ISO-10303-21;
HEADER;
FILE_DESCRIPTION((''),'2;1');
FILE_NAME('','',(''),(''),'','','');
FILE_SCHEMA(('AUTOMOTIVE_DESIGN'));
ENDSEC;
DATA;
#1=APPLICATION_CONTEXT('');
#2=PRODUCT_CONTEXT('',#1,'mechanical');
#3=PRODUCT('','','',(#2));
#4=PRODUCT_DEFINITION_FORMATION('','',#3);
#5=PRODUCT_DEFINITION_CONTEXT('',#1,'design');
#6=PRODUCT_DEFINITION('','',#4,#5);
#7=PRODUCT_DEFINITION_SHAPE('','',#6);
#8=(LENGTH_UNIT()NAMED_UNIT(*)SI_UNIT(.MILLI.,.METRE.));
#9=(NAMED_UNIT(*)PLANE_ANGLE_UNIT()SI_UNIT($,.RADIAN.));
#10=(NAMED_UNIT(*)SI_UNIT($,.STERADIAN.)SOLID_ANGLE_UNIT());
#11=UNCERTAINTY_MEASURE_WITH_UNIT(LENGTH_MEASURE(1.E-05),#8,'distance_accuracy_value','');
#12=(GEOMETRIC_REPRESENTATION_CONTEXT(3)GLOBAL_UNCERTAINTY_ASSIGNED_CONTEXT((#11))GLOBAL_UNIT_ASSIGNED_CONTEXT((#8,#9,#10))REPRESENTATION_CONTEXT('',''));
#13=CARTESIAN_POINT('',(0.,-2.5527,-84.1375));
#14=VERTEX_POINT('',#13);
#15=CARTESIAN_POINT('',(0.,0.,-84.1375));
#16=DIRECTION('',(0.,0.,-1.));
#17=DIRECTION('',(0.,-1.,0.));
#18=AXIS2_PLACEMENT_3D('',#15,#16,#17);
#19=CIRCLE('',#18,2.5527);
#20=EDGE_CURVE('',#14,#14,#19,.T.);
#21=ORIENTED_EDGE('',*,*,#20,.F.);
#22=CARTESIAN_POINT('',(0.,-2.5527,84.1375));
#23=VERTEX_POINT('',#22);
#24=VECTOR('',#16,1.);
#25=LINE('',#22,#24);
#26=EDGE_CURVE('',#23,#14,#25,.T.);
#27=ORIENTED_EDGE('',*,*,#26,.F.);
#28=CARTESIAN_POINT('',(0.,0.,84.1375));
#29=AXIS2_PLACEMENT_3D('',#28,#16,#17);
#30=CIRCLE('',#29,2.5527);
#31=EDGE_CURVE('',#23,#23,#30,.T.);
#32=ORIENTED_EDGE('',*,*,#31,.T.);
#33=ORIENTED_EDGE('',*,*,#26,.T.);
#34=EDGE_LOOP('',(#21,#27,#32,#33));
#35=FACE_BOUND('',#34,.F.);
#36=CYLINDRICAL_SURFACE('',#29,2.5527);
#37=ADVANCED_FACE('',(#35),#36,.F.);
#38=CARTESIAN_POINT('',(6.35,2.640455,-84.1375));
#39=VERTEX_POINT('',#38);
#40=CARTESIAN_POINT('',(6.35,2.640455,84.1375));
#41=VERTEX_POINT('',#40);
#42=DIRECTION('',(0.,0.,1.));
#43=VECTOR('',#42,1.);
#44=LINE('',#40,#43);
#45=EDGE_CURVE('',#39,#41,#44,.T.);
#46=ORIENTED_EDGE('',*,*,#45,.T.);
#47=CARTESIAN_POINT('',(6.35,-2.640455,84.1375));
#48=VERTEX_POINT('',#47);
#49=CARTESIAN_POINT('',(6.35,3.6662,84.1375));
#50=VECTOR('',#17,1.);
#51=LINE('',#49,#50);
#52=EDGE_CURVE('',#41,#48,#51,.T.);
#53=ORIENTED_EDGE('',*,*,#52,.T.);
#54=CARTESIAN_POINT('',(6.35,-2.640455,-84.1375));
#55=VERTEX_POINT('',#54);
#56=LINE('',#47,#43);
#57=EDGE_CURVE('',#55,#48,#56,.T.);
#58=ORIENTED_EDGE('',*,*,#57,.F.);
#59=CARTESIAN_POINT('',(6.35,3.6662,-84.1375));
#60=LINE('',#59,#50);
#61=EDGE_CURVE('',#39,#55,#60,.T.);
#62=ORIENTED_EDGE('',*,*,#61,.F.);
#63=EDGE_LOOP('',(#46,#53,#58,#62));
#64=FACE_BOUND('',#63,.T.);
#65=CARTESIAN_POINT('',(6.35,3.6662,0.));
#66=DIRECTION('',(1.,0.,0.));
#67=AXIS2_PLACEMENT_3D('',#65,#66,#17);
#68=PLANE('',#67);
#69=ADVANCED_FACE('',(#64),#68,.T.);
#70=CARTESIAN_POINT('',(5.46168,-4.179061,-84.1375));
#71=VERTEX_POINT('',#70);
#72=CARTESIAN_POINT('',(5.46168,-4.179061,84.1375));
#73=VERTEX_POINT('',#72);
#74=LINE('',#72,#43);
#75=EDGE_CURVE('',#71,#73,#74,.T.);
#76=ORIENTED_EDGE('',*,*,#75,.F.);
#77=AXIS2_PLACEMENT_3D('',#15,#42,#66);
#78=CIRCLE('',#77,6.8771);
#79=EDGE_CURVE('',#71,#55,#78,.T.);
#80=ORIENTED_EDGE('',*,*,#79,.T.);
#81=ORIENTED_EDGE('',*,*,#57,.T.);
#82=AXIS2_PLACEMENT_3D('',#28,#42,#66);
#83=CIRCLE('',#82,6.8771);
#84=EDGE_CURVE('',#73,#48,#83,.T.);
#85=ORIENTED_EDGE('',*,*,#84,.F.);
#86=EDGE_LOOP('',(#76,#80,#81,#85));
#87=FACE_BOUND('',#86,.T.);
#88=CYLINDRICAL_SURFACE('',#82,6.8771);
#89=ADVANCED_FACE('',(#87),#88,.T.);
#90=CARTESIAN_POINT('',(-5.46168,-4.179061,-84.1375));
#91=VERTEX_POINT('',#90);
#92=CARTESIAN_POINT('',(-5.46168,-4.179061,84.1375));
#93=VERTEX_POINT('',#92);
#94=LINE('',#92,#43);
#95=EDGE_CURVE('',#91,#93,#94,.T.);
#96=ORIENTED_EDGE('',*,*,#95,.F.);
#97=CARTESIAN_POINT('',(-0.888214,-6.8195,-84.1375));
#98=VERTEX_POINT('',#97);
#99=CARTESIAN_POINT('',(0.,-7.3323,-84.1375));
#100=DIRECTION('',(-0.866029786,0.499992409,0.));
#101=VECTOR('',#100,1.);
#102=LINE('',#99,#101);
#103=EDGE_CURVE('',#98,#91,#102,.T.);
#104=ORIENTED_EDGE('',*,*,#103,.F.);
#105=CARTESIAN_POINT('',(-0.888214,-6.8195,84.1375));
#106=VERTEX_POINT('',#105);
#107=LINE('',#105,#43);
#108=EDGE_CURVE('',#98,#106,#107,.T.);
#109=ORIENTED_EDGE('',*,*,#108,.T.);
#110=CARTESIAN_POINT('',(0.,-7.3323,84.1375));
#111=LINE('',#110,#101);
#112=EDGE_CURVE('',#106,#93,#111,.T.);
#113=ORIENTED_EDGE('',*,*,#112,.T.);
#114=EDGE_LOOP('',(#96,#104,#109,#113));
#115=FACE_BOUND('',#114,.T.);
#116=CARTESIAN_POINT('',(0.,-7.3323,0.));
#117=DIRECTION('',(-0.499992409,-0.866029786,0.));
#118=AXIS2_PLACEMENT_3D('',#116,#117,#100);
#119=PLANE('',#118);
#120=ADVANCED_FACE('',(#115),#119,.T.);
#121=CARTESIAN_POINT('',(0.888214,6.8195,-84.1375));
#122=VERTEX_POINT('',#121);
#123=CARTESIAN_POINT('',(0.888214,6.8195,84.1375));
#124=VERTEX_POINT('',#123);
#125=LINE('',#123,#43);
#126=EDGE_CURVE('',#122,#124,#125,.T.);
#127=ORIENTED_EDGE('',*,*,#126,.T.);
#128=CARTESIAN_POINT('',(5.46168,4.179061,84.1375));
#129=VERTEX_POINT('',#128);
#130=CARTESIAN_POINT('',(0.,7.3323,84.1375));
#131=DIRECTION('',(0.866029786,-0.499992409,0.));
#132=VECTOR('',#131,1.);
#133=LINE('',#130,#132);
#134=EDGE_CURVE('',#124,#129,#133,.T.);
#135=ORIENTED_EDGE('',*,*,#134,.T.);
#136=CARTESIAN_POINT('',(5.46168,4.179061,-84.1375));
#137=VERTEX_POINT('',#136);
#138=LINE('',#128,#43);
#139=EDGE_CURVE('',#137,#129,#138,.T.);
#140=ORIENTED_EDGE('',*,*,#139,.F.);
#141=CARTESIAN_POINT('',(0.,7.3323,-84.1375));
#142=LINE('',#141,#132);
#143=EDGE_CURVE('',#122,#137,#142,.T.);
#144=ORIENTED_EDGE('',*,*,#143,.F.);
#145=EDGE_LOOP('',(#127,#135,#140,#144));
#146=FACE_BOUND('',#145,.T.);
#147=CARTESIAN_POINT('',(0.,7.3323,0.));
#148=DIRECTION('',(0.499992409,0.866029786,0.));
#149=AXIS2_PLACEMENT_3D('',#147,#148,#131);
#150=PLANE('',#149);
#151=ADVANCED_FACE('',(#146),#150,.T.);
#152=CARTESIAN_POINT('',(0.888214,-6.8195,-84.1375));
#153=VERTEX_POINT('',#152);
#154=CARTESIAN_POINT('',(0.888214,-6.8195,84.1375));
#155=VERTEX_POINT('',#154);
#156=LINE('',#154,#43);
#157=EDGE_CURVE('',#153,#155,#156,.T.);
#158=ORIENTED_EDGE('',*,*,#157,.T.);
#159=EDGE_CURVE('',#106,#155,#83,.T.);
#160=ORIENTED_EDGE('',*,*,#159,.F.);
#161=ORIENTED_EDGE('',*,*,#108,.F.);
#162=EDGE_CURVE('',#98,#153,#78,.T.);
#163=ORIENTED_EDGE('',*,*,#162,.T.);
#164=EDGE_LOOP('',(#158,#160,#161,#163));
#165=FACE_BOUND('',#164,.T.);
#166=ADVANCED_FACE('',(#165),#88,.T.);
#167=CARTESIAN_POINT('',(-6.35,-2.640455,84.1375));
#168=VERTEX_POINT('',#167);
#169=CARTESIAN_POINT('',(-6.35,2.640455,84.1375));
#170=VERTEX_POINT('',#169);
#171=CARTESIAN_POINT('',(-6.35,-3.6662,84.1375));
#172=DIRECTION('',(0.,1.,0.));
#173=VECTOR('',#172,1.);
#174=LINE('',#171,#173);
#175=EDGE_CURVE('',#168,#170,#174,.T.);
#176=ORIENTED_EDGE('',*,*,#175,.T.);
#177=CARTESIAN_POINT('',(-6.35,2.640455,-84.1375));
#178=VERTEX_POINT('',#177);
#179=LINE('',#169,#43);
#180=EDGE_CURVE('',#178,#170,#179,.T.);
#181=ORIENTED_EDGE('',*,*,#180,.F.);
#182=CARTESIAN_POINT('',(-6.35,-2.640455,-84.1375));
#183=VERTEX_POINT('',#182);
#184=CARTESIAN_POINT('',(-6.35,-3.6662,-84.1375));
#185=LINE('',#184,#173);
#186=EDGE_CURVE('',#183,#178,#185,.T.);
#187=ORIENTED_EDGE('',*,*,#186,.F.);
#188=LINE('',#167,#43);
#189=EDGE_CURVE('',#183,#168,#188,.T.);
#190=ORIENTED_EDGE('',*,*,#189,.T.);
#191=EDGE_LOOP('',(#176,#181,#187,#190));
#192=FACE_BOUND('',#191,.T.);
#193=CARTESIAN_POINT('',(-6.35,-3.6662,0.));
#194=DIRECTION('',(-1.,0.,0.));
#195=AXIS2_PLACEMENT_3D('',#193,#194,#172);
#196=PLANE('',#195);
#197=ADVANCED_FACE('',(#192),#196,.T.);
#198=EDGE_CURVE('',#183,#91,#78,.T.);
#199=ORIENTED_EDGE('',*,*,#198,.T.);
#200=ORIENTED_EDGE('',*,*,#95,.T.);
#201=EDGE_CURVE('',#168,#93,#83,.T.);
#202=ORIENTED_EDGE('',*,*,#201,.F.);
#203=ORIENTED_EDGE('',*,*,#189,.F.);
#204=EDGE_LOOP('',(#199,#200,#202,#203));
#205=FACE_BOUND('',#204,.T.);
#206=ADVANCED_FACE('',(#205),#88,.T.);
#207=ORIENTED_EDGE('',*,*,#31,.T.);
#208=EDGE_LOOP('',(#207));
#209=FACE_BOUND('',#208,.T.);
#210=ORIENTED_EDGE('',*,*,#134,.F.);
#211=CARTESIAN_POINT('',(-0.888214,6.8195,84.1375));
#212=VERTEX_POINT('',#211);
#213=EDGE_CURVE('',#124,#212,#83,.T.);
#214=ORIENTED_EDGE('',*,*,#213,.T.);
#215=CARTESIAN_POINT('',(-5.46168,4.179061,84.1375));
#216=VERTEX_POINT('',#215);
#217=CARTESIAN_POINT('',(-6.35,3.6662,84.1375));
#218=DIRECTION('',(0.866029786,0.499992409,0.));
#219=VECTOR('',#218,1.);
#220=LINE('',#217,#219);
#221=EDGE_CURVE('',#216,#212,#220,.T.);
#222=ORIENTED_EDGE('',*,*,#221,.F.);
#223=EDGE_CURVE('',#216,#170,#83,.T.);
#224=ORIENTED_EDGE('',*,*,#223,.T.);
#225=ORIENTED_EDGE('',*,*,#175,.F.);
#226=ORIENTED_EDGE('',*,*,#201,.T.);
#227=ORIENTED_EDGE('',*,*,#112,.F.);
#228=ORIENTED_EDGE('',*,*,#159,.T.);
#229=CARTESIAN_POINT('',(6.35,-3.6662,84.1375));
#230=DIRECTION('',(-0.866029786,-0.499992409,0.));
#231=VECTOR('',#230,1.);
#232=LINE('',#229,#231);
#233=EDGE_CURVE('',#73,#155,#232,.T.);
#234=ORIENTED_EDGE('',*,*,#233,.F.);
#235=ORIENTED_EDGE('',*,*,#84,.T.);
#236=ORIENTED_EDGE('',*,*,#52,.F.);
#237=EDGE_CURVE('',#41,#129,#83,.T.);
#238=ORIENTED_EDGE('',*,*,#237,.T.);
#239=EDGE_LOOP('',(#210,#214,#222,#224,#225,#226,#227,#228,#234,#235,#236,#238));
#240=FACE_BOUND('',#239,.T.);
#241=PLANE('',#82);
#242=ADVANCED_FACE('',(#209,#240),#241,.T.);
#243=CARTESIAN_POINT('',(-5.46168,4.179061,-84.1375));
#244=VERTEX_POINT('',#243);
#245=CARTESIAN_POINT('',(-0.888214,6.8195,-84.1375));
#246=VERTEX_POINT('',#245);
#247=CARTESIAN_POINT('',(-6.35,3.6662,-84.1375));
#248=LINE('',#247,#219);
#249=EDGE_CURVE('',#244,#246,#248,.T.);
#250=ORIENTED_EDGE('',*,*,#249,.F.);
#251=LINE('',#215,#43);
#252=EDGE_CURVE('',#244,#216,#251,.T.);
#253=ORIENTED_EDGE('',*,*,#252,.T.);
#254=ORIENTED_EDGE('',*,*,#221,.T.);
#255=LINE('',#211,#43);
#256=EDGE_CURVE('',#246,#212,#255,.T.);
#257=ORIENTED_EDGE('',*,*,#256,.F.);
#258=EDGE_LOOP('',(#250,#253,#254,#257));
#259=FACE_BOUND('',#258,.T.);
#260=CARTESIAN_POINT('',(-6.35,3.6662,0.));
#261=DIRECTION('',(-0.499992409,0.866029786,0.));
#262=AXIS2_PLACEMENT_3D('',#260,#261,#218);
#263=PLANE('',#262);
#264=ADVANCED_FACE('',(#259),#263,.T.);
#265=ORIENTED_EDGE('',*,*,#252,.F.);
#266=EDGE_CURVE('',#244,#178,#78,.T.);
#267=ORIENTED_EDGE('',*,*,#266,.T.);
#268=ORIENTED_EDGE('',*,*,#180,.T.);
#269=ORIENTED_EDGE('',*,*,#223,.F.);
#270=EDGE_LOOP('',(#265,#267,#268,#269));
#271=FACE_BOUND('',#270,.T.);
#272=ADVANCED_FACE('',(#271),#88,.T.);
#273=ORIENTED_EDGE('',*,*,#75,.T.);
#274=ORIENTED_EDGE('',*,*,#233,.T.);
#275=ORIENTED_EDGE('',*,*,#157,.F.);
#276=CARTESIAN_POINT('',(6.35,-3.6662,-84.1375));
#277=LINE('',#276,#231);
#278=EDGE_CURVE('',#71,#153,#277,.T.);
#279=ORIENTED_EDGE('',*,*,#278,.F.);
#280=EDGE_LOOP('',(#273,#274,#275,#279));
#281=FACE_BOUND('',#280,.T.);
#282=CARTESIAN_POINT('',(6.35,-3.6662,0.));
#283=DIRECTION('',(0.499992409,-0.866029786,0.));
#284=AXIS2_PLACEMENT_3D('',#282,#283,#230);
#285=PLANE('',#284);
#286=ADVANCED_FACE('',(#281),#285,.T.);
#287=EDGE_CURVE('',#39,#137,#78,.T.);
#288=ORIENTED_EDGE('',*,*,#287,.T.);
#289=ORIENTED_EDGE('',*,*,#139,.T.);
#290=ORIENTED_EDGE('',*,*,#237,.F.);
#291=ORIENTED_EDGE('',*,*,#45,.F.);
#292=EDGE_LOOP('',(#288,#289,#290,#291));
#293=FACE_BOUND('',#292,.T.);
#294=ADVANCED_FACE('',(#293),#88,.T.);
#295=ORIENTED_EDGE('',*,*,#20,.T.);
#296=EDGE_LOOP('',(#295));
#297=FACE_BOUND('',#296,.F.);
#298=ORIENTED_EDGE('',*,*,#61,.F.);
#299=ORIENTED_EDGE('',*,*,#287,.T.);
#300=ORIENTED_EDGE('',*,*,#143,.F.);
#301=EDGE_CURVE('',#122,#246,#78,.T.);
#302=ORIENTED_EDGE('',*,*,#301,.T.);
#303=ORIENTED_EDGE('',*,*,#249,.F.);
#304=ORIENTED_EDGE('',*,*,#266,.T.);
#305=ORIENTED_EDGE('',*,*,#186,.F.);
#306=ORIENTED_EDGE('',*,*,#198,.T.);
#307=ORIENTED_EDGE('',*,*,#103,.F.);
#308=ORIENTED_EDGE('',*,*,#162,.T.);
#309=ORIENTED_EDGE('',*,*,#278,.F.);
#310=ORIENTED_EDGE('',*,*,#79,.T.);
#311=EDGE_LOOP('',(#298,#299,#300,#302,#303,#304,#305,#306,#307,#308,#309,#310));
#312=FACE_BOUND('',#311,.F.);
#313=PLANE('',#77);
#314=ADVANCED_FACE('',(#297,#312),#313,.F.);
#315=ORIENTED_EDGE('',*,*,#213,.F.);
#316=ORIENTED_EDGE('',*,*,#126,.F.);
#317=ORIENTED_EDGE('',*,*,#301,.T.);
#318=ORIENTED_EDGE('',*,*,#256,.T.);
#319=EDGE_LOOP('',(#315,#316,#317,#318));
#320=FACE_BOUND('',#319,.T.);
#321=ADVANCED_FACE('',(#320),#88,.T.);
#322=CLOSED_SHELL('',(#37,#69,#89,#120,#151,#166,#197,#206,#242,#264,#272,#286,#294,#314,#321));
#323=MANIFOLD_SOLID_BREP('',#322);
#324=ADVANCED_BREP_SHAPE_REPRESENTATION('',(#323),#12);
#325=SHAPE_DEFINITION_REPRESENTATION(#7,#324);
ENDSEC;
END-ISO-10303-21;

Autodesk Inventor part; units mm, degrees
ref_plane "YZ Plane" through (0, 0, 0) normal (1, 0, 0) x (0, 1, 0)
ref_plane "XZ Plane" through (0, 0, 0) normal (0, 1, 0) x (-1, 0, 0)
ref_plane "XY Plane" through (0, 0, 0) normal (0, 0, 1) x (1, 0, 0)
sketch "Sketch1" plane through (0, 0, 0) normal (0, 0, 1) x (1, 0, 0)
  line L0 (-6.35, -3.6662) -> (-6.35, 3.6662)
  line L1 (-6.35, 3.6662) -> (0, 7.3323)
  line L2 (0, 7.3323) -> (6.35, 3.6662)
  line L3 (6.35, 3.6662) -> (6.35, -3.6662)
  line L4 (6.35, -3.6662) -> (0, -7.3323)
  line L5 (0, -7.3323) -> (-6.35, -3.6662)
  point P0 (0, 0)
  point P1 (0, 0)
  dimension "Size" = 12.7
extrude "Extrusion1" add sketch "Sketch1" along normal mid plane 168.275
sketch "Sketch3" plane through (0, 0, 84.1375) normal (0, 0, 1) x (1, 0, 0)
  line L0 (-6.35, 3.6662) -> (0, 7.3323) construction
  line L1 (0, 7.3323) -> (6.35, 3.6662) construction
  line L2 (6.35, 3.6662) -> (6.35, -3.6662) construction
  line L3 (6.35, -3.6662) -> (0, -7.3323) construction
  line L4 (0, -7.3323) -> (-6.35, -3.6662) construction
  line L5 (-6.35, -3.6662) -> (-6.35, 3.6662) construction
  point P0 (0, 0)
hole "Hole1" at (0, 0, 84.1375) direction (0, 0, -1) diameter 5.1054 end through all
sketch "Sketch4" plane through (0, 0, 84.1375) normal (0, 0, 1) x (1, 0, 0)
  circle A0 centre (0, 0) radius 2.5527 construction
  line L0 (-6.35, 3.6662) -> (0, 7.3323) construction
  line L1 (0, 7.3323) -> (6.35, 3.6662) construction
  line L2 (6.35, 3.6662) -> (6.35, -3.6662) construction
  line L3 (6.35, -3.6662) -> (0, -7.3323) construction
  line L4 (0, -7.3323) -> (-6.35, -3.6662) construction
  line L5 (-6.35, -3.6662) -> (-6.35, 3.6662) construction
  circle A1 centre (0, 0) radius 6.8771
  circle A2 centre (0, 0) radius 8.89
  dimension "thunder" = 13.7541
  dimension "d16" = 17.78
extrude "Extrusion3" cut sketch "Sketch4" against normal through all
equation "\"bearing\" = 25.4"
properties part number "GP5-007" material "Aluminum 6061"
